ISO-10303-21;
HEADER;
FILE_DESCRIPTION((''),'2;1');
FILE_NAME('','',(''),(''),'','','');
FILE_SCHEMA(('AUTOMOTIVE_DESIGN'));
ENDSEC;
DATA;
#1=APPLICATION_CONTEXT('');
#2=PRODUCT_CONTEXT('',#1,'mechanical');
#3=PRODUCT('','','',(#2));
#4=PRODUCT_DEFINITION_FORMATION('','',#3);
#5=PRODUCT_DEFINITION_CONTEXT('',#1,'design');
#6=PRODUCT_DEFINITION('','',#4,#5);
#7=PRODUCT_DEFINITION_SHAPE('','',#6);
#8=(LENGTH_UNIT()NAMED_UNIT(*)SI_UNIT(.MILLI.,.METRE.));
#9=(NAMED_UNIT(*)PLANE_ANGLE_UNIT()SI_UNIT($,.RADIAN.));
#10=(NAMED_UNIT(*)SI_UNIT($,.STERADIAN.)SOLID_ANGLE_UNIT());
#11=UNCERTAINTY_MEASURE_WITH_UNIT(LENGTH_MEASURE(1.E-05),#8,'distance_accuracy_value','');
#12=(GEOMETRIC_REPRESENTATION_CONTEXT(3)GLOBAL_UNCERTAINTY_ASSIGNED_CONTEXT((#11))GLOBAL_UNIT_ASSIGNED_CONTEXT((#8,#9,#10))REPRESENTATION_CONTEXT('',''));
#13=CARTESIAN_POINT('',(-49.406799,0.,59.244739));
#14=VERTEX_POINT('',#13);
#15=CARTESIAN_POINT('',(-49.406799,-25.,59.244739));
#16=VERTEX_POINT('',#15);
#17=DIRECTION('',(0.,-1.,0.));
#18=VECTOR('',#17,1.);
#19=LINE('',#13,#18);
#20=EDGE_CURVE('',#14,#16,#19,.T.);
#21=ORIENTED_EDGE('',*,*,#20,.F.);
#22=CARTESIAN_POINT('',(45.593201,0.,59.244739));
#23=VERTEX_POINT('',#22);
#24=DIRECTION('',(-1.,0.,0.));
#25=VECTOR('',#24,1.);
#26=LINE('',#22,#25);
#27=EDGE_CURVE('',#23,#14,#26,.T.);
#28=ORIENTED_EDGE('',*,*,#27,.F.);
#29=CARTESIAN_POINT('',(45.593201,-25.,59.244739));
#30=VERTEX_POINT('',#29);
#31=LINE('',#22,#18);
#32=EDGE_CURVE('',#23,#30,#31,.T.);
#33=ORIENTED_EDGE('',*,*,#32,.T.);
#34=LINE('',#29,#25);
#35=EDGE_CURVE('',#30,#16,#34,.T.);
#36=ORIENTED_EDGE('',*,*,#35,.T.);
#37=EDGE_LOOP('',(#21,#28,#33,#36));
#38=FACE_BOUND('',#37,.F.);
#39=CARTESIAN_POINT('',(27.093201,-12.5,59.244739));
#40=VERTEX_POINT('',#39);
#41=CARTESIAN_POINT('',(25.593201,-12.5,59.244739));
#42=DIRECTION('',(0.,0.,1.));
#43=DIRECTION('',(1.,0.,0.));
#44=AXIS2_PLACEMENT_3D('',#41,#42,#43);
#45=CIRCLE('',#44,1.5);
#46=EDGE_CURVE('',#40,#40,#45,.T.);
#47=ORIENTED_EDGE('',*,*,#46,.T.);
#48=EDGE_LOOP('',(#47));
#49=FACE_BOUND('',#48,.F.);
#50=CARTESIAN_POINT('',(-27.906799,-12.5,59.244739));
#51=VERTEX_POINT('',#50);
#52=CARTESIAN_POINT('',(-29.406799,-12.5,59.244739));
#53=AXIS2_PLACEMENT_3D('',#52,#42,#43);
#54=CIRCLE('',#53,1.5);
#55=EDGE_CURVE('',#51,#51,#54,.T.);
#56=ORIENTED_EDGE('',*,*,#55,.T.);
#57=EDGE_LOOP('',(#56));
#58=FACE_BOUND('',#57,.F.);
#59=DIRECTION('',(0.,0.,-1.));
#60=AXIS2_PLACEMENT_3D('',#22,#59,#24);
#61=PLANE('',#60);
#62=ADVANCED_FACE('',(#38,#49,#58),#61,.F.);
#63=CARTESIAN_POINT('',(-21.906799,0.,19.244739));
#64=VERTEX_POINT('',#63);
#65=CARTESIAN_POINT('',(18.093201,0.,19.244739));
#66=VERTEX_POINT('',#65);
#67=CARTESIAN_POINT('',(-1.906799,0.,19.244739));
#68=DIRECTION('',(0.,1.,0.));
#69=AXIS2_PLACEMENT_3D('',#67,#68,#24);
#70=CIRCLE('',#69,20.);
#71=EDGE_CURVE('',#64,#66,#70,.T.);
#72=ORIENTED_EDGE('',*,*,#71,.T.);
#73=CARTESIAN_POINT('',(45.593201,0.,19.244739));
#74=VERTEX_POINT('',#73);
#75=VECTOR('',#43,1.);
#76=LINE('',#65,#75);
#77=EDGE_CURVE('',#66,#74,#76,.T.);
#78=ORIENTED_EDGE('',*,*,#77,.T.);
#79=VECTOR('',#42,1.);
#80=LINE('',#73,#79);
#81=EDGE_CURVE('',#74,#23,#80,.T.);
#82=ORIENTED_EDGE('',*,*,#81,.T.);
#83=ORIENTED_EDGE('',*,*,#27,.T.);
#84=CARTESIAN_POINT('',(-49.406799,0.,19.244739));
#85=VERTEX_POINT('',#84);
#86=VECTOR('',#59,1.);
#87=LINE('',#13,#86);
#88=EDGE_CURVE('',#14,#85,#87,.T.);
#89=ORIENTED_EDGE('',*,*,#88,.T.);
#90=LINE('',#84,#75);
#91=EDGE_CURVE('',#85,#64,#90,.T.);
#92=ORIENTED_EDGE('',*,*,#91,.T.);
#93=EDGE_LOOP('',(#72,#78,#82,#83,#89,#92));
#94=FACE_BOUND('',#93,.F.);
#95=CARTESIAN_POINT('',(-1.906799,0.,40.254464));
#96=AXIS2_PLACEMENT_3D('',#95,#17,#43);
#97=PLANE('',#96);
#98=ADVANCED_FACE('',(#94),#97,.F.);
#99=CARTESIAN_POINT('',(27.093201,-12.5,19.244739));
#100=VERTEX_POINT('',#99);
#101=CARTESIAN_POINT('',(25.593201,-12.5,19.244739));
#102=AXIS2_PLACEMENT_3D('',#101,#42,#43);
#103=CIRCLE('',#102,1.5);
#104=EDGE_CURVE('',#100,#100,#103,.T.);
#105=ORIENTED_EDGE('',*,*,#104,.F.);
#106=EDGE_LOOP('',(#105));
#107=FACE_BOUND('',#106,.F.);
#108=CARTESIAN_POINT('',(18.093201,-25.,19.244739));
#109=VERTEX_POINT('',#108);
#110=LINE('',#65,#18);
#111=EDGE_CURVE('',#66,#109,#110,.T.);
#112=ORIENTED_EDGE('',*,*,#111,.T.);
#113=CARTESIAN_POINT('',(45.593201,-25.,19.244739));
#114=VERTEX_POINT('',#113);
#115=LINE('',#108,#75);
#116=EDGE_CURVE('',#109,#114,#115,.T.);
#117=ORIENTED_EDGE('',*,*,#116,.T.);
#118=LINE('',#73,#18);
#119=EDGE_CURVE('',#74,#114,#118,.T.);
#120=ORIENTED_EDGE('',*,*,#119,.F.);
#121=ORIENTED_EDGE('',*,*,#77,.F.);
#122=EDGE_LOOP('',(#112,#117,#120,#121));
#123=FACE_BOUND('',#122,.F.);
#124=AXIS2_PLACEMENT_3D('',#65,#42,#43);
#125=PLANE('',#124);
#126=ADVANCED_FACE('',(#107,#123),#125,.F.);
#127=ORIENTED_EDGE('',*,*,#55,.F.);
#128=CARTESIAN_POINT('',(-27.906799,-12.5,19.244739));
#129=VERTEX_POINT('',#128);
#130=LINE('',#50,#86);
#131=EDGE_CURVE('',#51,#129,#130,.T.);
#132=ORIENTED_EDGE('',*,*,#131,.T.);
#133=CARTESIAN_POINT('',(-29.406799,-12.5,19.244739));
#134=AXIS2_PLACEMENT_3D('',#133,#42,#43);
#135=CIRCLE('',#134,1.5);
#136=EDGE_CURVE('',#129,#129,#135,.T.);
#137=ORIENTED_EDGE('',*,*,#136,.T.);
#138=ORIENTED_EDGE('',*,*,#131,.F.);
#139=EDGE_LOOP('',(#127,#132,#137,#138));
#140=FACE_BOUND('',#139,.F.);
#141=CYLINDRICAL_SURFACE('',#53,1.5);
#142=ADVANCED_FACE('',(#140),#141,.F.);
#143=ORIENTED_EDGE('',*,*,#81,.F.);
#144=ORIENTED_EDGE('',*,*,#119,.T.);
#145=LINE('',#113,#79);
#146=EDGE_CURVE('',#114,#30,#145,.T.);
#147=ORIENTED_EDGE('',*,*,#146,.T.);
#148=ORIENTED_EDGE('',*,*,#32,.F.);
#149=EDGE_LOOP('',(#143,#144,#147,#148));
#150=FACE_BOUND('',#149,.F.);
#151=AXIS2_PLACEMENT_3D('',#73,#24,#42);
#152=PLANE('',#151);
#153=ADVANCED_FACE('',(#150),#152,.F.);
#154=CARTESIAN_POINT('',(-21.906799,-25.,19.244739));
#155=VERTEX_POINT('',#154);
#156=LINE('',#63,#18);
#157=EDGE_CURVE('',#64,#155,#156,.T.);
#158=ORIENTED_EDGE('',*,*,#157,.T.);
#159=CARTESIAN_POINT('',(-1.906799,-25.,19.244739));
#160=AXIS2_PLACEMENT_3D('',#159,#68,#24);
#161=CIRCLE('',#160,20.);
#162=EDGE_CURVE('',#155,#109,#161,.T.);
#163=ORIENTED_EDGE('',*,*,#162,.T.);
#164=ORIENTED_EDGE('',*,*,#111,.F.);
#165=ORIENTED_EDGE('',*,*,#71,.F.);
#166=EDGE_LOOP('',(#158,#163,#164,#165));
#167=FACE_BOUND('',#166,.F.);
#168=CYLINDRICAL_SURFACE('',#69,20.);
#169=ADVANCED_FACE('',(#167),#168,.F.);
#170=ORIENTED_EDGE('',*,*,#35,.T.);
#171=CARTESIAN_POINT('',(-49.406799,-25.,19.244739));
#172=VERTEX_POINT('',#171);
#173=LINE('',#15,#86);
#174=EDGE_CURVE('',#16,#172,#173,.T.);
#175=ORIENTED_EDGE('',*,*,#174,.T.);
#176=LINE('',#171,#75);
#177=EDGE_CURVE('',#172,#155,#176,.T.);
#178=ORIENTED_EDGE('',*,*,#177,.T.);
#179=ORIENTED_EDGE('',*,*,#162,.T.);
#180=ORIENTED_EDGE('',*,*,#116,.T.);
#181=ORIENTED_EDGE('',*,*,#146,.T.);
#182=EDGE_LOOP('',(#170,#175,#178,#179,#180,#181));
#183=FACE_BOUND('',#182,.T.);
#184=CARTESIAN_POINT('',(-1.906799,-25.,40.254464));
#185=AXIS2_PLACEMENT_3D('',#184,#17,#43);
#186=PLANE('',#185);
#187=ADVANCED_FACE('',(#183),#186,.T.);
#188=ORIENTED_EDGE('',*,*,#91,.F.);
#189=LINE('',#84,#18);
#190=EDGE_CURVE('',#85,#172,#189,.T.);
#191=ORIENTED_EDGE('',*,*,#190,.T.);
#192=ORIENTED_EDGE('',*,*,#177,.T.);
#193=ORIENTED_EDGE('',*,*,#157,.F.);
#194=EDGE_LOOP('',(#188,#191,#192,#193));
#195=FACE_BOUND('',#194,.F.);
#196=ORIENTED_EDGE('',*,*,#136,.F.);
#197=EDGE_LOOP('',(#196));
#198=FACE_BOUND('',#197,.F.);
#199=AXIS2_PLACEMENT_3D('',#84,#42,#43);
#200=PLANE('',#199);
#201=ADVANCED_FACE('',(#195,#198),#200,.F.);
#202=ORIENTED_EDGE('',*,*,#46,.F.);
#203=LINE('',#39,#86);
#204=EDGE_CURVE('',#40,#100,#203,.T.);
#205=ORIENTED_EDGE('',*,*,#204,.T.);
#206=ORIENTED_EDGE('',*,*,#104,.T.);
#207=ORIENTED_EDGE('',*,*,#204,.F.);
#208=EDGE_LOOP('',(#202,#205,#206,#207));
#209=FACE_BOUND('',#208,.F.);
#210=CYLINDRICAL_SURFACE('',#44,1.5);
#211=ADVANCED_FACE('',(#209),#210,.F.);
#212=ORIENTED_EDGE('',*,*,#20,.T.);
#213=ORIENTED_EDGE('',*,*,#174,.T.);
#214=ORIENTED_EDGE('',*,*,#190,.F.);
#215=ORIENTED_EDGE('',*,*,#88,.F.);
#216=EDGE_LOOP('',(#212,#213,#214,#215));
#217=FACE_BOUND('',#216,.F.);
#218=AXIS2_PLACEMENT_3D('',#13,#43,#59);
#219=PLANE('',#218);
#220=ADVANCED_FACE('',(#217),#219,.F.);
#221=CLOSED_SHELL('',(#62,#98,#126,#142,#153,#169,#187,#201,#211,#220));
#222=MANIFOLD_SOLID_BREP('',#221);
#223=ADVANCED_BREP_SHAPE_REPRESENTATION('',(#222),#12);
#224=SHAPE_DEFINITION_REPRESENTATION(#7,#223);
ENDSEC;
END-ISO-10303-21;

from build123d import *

# Parameters (mm, degrees)
F1_DEPTH = 25
F2_R     = 1.5
F3_DEPTH = 40


with BuildPart() as f1:
    # F0 (on Front) → F1 (new body)
    with BuildSketch(Plane.XZ):
        with BuildLine():
            Line((45.593201, 59.244739), (-49.406799, 59.244739))
            Line((-49.406799, 59.244739), (-49.406799, 19.244739))
            Line((-49.406799, 19.244739), (-21.906799, 19.244739))
            ThreePointArc((-21.906799, 19.244739), (-1.906799, 39.244739), (18.093201, 19.244739))
            Line((18.093201, 19.244739), (45.593201, 19.244739))
            Line((45.593201, 19.244739), (45.593201, 59.244739))
        make_face()
    extrude(amount=F1_DEPTH)

    # F2 (on face) → F3 (cut)
    with BuildSketch(Plane.XY.offset(59.244739)):
        with Locations((-29.406799, -12.5)):
            Circle(F2_R)
        with Locations((25.593201, -12.5)):
            Circle(F2_R)
    extrude(amount=-F3_DEPTH, mode=Mode.SUBTRACT)


solid = f1.part
